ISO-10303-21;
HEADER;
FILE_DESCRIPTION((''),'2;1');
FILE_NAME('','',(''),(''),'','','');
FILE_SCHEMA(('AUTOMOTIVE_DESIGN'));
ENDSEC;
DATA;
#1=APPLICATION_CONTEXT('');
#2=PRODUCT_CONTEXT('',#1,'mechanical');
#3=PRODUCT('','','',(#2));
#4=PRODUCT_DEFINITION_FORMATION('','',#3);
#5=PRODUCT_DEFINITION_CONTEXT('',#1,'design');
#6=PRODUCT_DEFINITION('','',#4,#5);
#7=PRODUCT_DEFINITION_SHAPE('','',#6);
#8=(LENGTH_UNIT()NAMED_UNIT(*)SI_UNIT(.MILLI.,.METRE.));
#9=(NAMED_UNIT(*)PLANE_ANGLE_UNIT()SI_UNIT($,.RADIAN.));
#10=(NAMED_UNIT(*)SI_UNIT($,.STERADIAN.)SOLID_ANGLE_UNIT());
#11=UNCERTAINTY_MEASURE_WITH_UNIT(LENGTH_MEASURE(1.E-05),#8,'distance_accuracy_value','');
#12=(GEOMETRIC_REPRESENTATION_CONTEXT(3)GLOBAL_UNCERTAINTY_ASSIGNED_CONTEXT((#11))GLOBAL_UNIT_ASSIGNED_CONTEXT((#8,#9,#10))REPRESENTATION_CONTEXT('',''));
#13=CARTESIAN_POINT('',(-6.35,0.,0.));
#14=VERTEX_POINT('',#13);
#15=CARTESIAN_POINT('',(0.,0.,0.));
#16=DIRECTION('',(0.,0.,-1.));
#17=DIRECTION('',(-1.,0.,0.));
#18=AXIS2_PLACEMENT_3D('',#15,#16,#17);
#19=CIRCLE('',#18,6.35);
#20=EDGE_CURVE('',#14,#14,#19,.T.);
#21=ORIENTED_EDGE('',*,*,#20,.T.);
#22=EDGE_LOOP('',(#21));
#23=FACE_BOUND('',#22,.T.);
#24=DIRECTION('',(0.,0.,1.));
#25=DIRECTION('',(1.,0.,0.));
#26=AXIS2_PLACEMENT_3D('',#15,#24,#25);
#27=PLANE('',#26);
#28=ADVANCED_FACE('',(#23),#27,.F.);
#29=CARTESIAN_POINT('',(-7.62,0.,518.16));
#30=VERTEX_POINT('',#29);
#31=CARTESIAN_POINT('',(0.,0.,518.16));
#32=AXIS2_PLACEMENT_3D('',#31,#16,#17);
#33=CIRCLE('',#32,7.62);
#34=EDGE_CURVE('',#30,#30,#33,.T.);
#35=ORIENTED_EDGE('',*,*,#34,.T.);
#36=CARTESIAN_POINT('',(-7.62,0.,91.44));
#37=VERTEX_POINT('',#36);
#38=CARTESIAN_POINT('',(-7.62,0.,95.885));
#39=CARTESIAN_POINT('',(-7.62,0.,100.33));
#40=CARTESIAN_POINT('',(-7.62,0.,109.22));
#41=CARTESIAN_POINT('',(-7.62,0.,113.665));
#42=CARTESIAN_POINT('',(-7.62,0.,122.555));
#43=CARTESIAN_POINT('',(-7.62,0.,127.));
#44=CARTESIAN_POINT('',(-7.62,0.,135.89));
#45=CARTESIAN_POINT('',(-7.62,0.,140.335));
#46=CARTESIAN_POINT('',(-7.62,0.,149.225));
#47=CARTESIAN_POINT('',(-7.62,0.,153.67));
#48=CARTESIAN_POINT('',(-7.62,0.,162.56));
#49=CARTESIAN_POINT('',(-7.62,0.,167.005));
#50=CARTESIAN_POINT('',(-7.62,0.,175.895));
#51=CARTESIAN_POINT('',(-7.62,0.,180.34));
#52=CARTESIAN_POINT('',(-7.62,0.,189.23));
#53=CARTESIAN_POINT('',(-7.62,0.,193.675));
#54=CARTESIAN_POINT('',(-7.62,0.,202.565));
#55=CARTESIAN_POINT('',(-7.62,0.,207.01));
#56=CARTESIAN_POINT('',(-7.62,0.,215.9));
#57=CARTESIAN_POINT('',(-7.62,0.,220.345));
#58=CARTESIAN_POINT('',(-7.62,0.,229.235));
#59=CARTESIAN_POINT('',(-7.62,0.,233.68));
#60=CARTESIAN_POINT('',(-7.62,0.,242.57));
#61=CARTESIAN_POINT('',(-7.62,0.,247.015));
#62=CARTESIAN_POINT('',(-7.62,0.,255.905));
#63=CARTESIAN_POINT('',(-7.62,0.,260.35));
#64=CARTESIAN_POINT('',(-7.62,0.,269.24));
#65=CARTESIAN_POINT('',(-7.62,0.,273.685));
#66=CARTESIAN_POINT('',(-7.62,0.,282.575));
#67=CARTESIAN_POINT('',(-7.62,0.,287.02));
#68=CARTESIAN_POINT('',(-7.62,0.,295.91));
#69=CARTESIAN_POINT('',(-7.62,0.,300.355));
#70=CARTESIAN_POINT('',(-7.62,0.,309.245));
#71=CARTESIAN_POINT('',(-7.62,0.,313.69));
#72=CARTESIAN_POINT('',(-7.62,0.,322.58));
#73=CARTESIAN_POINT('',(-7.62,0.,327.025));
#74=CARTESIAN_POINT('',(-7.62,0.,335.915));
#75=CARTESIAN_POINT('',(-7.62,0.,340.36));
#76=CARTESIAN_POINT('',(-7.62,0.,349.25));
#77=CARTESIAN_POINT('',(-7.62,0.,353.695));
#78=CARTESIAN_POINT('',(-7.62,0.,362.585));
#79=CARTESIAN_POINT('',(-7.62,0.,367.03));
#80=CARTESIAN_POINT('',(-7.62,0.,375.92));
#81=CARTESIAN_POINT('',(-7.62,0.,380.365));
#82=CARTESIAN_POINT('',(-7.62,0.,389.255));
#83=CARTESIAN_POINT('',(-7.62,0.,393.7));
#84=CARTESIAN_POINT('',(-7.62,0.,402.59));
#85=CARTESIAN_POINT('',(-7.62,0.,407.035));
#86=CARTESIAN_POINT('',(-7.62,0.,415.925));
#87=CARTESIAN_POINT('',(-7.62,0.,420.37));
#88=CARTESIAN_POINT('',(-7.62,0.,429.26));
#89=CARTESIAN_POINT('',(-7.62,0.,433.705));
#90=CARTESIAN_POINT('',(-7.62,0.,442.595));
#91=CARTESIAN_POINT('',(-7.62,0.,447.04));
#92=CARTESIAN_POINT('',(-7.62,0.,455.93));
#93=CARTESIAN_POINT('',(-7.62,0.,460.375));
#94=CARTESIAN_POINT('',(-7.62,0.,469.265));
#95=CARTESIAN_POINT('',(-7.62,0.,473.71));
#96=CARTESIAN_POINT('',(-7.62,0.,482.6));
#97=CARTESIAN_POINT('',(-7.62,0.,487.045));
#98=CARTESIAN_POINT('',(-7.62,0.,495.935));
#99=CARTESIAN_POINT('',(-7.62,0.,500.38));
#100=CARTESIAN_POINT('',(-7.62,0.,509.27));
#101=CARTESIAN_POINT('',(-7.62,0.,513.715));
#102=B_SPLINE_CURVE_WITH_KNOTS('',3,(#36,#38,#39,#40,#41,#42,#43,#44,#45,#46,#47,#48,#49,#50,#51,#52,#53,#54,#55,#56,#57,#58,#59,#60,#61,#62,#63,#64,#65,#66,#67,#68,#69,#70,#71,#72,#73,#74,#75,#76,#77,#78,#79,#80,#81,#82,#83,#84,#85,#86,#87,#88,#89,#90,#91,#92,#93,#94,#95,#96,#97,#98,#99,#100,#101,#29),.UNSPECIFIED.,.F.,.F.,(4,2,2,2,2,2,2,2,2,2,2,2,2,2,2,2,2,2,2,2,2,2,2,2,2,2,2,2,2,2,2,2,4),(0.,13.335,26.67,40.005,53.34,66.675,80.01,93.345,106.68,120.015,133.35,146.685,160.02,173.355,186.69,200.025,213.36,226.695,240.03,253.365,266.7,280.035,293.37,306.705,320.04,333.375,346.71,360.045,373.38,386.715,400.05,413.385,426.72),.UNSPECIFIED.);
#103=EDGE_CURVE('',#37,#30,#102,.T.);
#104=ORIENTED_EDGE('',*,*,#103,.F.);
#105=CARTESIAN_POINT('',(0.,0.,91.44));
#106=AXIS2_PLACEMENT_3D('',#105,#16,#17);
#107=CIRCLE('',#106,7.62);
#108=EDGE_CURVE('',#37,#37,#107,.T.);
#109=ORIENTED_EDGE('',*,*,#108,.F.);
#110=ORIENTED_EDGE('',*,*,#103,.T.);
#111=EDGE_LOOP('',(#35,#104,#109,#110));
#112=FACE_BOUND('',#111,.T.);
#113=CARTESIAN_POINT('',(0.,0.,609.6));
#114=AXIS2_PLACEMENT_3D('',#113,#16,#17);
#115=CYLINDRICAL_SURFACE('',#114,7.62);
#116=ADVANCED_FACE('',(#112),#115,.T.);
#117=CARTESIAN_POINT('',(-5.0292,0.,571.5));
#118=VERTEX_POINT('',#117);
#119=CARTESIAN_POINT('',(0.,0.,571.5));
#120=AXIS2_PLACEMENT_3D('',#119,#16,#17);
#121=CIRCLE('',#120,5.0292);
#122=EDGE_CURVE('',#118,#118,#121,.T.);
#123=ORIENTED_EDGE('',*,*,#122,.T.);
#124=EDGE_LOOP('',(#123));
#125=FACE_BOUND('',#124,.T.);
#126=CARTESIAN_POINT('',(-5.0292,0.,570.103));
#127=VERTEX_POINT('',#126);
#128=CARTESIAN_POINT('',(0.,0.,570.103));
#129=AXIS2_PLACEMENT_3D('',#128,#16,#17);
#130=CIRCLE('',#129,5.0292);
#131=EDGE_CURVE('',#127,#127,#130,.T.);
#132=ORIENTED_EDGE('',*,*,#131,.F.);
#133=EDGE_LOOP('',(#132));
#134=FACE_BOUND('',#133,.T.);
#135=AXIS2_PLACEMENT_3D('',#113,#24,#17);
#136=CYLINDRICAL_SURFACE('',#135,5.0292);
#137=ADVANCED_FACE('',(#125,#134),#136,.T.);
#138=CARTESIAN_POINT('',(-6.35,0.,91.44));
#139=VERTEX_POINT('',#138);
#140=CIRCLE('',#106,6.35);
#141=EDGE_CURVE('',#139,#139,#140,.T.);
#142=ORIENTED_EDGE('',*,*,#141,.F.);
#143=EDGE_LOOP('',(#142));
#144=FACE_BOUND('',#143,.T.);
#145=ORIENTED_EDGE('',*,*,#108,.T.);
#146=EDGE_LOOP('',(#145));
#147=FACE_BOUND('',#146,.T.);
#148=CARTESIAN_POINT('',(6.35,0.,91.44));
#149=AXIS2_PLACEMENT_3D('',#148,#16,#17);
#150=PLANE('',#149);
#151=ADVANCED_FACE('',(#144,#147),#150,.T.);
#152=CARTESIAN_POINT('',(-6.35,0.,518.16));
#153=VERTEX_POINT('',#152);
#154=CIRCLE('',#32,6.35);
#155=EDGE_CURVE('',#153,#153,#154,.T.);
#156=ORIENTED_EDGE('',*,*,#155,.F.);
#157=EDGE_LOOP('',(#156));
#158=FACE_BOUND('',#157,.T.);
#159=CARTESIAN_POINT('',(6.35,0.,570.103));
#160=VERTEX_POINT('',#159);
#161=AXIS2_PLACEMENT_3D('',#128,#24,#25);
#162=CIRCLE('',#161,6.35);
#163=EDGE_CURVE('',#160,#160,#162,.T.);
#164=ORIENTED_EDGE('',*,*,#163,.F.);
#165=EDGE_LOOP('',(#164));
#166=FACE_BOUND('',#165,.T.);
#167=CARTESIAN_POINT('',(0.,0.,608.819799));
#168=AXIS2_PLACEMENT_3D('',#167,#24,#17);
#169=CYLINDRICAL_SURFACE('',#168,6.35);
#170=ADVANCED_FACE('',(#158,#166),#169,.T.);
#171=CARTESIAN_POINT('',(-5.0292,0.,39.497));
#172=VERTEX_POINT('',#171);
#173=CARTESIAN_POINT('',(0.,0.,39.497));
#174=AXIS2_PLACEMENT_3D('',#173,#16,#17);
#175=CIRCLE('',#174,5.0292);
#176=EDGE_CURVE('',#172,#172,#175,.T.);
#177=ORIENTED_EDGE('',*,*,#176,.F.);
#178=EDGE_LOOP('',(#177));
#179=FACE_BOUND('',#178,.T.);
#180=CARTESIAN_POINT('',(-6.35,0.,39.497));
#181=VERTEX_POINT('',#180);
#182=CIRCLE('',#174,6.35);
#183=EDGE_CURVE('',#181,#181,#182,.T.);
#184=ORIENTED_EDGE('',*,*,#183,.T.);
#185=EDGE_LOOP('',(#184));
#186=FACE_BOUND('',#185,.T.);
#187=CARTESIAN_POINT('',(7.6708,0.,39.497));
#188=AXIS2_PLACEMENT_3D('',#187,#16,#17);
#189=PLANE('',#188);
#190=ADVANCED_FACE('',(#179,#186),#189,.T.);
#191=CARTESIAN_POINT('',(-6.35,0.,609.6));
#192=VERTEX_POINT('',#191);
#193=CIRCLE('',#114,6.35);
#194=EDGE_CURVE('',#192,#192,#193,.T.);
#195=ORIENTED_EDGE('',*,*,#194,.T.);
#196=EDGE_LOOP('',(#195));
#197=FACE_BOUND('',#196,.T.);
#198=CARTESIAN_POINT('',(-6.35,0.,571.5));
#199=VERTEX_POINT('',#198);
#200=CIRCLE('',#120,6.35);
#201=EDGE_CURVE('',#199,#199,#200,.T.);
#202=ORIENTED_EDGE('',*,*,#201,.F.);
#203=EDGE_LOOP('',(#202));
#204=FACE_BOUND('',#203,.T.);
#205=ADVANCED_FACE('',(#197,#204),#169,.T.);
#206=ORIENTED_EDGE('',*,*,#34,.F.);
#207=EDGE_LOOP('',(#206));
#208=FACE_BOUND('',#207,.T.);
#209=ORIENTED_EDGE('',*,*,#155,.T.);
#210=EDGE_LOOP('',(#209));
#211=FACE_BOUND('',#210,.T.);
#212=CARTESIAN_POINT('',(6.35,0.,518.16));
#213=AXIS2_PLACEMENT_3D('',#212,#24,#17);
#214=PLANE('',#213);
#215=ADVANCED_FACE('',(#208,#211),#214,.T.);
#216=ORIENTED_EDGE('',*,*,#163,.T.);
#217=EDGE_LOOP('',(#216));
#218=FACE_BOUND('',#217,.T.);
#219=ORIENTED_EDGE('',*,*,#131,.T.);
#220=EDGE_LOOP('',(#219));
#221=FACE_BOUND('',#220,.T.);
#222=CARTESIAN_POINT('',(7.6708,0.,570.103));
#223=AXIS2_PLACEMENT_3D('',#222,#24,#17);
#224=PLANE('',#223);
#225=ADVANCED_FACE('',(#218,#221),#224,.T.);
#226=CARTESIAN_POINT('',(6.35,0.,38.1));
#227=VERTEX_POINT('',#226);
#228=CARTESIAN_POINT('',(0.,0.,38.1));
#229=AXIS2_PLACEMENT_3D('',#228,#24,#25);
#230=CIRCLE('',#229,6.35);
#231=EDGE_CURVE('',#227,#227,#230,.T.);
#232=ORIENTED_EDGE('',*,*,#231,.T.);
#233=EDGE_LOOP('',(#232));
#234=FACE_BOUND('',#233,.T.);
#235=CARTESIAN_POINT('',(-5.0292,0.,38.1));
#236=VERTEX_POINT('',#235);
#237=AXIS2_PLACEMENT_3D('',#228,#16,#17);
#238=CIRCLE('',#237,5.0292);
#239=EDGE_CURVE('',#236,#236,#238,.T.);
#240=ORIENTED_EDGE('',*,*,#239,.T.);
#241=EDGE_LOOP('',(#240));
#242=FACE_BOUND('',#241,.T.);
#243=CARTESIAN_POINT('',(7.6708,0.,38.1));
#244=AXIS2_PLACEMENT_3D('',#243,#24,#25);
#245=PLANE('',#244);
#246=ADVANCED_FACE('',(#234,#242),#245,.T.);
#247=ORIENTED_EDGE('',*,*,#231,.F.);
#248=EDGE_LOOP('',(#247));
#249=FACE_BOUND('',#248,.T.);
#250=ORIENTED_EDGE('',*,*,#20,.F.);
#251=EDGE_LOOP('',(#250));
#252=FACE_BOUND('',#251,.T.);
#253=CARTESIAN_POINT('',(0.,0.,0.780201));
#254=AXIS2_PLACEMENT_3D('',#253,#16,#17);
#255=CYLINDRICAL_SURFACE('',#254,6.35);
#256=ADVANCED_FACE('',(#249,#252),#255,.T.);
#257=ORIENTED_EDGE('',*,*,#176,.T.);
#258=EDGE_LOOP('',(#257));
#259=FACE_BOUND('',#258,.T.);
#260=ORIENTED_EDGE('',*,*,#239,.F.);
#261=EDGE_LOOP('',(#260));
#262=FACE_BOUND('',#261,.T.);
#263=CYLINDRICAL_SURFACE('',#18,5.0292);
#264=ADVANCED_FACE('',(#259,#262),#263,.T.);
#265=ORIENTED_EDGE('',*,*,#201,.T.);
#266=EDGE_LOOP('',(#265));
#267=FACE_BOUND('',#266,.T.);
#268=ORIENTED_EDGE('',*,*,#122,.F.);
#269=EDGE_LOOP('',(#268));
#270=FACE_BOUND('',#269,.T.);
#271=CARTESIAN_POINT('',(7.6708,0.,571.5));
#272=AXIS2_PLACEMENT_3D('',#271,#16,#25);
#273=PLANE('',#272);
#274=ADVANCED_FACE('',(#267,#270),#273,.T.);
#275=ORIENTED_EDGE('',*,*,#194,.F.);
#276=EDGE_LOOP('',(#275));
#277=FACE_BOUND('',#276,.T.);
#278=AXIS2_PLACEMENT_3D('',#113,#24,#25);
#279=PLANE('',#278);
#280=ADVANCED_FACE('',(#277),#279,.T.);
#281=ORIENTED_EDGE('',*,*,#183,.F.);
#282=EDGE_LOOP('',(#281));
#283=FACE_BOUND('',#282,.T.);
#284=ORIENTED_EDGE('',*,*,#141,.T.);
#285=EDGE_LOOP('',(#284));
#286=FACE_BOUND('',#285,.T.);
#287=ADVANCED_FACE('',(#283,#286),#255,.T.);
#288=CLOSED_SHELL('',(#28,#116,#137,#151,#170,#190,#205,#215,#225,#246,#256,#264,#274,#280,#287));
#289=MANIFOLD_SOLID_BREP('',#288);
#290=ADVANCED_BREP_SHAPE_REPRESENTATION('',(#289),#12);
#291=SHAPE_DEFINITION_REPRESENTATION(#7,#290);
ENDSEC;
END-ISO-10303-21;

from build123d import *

# Parameters (mm, degrees)
SKETCH1_R           = 7.62
BOSS_EXTRUDE1_DEPTH = 609.6
FILLET1_R           = 0.25
SKETCH2_W           = 1.27
SKETCH2_H           = 91.44
SKETCH4_W           = 2.6416
SKETCH4_H           = 1.397


with BuildPart() as part:
    # Sketch1 → Boss-Extrude1 (new body)
    with BuildSketch(Plane.XY):
        with Locations(Location((0, 0, 0), (0, 0, 180))):
            Circle(SKETCH1_R)
    extrude(amount=BOSS_EXTRUDE1_DEPTH)

    # Fillet1
    fillet1_edges = [part.edges().sort_by_distance(p)[0] for p in [
        (7.62, 0, 0),
        (7.62, 0, 609.6),
    ]]
    fillet(fillet1_edges, radius=FILLET1_R)

    # Sketch2 → Cut-Revolve2 (revolve, cut)
    with BuildSketch(Plane(origin=(0, 0, 0), x_dir=(1, 0, 0), z_dir=(0, 1, 0)), mode=Mode.PRIVATE) as cut_revolve2_sk:
        with Locations((6.985, -45.72)):
            Rectangle(SKETCH2_W, SKETCH2_H)
    cut_revolve2 = revolve(cut_revolve2_sk.sketch.rotate(Axis((0, 0, 0.780201326), (0, 0, 1)), 180), axis=Axis((0, 0, 0.780201326), (0, 0, 1)), mode=Mode.SUBTRACT)

    # Sketch4 → Cut-Revolve3 (revolve, cut)
    with BuildSketch(Plane(origin=(0, 0, 0), x_dir=(1, 0, 0), z_dir=(0, 1, 0)), mode=Mode.PRIVATE) as cut_revolve3_sk:
        with Locations((6.35, -38.7985)):
            Rectangle(SKETCH4_W, SKETCH4_H)
    cut_revolve3 = revolve(cut_revolve3_sk.sketch.rotate(Axis((0, 0, 0), (0, 0, 1)), 180), axis=Axis((0, 0, 0), (0, 0, 1)), mode=Mode.SUBTRACT)

    # Mirror1: Cut-Revolve2, Cut-Revolve3 across plane
    add(cut_revolve2.mirror(Plane.XY.offset(304.8)), mode=Mode.SUBTRACT)
    add(cut_revolve3.mirror(Plane.XY.offset(304.8)), mode=Mode.SUBTRACT)


solid = part.part
